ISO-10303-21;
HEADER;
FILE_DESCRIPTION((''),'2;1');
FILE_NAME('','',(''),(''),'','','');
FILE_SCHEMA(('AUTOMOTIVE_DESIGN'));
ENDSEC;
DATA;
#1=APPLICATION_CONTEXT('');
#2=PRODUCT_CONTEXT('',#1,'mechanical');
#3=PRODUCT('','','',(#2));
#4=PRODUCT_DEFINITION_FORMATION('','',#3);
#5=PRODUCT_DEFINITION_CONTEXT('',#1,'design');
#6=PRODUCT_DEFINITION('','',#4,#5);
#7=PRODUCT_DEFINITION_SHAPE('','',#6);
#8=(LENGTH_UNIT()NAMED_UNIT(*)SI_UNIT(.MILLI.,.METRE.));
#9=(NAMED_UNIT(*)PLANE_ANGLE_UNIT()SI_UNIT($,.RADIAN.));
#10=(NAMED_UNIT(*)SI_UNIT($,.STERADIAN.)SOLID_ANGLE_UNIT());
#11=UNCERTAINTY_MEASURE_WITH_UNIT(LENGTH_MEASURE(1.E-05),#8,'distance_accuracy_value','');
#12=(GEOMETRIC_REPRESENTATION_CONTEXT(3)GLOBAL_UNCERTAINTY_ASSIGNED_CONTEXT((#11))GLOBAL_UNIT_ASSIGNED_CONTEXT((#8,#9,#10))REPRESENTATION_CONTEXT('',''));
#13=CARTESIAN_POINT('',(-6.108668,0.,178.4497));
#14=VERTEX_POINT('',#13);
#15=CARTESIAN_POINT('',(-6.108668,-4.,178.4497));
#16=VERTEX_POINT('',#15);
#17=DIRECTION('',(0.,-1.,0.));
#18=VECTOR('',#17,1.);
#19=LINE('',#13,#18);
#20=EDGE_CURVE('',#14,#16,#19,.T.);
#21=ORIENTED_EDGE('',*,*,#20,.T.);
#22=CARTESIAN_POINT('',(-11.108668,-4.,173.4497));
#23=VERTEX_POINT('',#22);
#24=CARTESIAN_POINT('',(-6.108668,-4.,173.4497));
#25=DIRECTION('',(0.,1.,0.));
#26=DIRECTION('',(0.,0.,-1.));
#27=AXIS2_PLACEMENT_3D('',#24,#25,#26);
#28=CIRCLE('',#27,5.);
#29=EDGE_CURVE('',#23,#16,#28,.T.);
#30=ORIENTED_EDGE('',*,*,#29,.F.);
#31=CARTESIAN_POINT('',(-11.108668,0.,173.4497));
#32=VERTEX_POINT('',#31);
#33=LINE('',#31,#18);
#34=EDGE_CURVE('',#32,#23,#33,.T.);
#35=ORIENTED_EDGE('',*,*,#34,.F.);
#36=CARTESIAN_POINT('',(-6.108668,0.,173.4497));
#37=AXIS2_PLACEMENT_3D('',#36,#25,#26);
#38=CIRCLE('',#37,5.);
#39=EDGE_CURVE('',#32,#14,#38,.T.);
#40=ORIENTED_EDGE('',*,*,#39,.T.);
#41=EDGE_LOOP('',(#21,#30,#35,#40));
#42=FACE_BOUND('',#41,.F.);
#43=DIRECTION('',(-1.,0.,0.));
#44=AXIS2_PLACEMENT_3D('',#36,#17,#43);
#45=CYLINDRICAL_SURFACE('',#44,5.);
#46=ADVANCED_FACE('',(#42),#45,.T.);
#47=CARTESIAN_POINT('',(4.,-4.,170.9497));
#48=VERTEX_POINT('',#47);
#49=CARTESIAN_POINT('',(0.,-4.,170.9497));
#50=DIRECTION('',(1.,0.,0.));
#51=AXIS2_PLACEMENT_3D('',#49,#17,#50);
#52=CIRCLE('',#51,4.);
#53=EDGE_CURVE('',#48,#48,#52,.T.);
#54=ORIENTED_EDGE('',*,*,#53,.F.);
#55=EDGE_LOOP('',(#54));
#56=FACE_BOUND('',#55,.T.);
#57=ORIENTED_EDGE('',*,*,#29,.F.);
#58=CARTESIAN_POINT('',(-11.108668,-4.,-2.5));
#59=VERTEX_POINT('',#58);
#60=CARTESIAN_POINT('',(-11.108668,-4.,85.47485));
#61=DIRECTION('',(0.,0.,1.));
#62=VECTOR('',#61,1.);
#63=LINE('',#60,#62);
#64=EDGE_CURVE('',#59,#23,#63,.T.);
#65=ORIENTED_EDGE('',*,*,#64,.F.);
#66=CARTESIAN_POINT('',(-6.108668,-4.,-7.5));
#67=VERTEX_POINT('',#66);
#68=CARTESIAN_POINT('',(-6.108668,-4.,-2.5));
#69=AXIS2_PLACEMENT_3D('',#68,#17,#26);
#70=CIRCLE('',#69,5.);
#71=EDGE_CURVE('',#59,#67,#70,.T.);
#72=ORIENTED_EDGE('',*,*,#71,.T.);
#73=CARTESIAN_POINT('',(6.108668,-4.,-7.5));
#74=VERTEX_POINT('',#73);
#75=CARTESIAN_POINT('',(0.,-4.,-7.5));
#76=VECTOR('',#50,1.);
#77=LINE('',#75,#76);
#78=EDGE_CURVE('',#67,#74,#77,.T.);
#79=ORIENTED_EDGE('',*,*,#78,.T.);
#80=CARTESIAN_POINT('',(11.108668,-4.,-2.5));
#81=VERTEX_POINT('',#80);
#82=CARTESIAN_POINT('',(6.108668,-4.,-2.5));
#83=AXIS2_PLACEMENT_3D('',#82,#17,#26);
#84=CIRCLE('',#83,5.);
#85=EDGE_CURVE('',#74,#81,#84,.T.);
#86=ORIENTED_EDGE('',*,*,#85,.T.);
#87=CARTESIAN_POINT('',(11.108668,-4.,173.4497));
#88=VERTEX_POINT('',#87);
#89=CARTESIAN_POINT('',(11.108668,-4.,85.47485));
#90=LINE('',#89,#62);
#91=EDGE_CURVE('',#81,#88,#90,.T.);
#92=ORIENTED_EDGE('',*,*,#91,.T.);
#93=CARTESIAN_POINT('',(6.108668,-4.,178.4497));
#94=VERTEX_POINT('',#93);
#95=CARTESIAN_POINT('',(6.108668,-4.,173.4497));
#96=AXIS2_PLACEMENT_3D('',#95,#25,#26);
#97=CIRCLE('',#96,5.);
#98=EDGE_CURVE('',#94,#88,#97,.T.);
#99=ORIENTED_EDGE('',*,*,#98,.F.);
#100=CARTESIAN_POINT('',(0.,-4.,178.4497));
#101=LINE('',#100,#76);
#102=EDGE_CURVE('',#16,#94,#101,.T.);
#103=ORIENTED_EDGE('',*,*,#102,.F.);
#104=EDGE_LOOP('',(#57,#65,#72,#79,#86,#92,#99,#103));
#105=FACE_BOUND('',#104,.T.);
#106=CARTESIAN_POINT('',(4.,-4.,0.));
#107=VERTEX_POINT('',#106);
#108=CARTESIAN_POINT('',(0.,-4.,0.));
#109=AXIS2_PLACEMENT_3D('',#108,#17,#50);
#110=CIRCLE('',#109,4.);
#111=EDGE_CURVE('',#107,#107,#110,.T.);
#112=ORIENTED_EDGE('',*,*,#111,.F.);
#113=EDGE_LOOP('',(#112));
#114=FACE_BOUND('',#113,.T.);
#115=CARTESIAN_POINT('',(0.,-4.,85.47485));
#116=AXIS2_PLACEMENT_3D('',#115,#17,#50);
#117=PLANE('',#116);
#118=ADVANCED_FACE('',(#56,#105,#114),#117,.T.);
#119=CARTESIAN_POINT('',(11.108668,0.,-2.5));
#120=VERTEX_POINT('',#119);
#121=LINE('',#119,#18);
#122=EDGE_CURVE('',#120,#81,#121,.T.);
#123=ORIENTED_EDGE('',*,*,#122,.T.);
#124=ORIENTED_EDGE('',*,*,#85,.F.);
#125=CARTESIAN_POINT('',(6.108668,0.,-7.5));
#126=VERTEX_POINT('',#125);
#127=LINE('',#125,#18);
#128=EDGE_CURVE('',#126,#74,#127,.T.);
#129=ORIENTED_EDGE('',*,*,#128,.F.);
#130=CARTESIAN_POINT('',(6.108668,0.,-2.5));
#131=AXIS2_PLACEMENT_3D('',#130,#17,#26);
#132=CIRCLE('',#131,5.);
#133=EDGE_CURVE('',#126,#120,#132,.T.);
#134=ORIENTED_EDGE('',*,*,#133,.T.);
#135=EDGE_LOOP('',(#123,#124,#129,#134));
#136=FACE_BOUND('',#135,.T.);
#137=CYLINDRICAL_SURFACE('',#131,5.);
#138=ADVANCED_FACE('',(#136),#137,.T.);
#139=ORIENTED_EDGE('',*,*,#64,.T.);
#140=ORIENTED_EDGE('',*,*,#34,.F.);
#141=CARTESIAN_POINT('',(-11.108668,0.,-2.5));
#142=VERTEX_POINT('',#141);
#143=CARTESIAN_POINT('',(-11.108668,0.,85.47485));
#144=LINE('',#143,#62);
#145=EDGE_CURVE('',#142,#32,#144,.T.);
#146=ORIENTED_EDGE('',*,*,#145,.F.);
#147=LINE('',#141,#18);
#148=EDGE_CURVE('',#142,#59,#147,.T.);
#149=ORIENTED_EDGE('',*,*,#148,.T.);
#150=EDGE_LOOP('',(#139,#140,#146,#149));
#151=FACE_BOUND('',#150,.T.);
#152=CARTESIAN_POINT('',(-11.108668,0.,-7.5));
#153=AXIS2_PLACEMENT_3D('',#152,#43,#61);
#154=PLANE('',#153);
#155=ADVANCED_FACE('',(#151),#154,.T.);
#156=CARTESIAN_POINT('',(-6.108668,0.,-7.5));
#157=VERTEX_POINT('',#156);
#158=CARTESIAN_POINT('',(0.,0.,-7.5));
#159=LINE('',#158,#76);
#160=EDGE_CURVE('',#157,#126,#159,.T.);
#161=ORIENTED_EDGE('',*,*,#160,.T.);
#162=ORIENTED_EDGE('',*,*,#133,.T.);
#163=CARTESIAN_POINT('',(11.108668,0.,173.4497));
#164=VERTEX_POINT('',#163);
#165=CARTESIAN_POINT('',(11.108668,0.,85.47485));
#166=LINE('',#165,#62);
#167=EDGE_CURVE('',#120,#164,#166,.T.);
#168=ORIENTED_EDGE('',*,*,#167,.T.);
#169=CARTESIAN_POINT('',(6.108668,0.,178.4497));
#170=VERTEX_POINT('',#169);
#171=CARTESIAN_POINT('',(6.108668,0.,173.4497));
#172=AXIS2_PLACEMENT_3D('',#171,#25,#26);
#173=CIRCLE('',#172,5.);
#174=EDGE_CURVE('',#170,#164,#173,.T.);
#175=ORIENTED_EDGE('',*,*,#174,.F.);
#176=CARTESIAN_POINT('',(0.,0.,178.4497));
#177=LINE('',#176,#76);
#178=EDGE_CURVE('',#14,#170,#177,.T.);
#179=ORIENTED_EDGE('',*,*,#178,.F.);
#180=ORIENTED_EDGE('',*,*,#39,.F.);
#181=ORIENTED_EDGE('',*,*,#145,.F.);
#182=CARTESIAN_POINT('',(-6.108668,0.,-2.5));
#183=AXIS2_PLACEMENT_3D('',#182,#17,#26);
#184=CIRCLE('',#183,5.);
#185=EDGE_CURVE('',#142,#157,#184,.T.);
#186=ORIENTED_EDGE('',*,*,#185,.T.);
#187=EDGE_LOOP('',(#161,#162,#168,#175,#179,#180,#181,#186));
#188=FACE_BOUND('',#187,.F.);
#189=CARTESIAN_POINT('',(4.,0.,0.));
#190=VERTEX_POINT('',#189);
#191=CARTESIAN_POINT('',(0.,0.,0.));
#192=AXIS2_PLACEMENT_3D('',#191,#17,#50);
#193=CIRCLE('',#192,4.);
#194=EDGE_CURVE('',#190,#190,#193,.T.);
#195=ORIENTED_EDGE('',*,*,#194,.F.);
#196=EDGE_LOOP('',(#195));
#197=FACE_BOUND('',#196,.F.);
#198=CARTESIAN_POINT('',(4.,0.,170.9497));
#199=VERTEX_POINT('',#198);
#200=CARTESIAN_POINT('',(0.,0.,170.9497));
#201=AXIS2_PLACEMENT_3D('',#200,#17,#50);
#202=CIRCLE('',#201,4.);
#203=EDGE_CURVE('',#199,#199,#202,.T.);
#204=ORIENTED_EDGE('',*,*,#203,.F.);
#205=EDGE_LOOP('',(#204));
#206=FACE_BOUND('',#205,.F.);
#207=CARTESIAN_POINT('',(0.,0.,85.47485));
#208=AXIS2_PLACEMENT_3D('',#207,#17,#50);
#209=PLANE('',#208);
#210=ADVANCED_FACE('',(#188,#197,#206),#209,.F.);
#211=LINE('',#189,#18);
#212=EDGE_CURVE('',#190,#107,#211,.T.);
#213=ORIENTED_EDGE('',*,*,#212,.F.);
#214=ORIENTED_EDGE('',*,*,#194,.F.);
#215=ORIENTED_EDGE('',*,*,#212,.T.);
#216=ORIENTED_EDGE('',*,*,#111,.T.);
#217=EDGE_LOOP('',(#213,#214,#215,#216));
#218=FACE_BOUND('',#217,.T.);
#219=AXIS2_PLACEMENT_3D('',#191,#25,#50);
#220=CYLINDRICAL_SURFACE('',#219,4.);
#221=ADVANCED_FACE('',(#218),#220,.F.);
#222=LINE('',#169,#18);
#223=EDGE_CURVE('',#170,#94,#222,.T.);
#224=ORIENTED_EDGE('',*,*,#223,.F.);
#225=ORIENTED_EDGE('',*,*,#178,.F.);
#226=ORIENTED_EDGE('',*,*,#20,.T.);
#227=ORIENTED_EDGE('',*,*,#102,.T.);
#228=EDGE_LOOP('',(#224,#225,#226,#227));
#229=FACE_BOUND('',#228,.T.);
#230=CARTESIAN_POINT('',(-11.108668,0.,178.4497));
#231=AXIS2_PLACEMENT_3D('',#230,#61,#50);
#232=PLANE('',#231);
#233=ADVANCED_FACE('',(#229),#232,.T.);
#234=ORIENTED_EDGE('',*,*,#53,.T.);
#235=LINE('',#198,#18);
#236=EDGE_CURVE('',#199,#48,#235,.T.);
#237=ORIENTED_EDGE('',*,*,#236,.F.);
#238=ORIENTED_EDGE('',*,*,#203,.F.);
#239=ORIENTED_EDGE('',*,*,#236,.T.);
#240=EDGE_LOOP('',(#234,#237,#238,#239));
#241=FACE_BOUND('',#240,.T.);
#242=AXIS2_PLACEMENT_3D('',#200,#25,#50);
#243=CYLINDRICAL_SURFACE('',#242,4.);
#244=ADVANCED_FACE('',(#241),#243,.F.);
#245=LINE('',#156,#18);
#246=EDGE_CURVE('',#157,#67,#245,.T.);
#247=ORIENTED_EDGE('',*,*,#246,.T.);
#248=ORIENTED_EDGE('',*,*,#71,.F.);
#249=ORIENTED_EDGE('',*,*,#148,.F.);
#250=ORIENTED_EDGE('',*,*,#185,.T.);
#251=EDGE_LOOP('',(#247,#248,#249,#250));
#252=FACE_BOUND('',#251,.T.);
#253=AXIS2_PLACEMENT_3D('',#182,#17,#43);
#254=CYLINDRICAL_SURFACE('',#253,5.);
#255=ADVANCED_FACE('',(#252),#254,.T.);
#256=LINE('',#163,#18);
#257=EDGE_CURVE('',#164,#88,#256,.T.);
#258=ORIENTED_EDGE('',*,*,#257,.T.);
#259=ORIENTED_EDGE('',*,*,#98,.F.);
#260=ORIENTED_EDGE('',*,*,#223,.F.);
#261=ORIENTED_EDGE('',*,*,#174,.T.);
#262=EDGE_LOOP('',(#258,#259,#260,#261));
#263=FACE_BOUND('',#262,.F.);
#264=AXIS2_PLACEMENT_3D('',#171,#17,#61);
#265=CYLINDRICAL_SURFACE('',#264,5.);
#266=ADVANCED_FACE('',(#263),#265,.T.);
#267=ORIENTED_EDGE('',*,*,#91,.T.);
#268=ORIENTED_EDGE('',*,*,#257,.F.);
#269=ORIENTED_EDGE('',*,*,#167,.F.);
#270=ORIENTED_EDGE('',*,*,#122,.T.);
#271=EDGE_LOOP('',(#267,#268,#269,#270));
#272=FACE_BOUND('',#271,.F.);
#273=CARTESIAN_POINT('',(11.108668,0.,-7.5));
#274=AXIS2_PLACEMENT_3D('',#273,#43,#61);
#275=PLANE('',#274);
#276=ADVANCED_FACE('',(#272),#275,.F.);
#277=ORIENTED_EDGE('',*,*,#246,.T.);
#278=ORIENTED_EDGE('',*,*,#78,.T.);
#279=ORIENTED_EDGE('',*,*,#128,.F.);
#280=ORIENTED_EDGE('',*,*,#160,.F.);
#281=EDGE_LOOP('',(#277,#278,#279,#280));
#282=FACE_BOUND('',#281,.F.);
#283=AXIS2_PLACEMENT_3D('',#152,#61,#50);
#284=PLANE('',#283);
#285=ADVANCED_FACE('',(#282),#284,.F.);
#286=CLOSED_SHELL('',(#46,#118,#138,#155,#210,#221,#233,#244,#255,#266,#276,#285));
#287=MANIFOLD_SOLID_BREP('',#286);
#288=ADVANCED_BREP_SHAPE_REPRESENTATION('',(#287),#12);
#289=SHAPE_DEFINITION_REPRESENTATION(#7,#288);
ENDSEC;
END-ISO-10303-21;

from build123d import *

# Parameters (mm, degrees)
F0_W     = 22.217336
F0_H     = 185.9497
F0_R     = 4
F1_DEPTH = 4
F2_R     = 5


with BuildPart() as f1:
    # F0 (on Front) → F1 (new body)
    with BuildSketch(Plane.XZ):
        with Locations((0, 85.47485)):
            Rectangle(F0_W, F0_H)
        Circle(F0_R, mode=Mode.SUBTRACT)
        with Locations((0, 170.9497)):
            Circle(F0_R, mode=Mode.SUBTRACT)
    extrude(amount=F1_DEPTH)

    # F2
    f2_edges = [f1.edges().sort_by_distance(p)[0] for p in [
        (-11.108668, -2, -7.5),
        (11.108668, -2, -7.5),
        (11.108668, -2, 178.4497),
        (-11.108668, -2, 178.4497),
    ]]
    fillet(f2_edges, radius=F2_R)


solid = f1.part
